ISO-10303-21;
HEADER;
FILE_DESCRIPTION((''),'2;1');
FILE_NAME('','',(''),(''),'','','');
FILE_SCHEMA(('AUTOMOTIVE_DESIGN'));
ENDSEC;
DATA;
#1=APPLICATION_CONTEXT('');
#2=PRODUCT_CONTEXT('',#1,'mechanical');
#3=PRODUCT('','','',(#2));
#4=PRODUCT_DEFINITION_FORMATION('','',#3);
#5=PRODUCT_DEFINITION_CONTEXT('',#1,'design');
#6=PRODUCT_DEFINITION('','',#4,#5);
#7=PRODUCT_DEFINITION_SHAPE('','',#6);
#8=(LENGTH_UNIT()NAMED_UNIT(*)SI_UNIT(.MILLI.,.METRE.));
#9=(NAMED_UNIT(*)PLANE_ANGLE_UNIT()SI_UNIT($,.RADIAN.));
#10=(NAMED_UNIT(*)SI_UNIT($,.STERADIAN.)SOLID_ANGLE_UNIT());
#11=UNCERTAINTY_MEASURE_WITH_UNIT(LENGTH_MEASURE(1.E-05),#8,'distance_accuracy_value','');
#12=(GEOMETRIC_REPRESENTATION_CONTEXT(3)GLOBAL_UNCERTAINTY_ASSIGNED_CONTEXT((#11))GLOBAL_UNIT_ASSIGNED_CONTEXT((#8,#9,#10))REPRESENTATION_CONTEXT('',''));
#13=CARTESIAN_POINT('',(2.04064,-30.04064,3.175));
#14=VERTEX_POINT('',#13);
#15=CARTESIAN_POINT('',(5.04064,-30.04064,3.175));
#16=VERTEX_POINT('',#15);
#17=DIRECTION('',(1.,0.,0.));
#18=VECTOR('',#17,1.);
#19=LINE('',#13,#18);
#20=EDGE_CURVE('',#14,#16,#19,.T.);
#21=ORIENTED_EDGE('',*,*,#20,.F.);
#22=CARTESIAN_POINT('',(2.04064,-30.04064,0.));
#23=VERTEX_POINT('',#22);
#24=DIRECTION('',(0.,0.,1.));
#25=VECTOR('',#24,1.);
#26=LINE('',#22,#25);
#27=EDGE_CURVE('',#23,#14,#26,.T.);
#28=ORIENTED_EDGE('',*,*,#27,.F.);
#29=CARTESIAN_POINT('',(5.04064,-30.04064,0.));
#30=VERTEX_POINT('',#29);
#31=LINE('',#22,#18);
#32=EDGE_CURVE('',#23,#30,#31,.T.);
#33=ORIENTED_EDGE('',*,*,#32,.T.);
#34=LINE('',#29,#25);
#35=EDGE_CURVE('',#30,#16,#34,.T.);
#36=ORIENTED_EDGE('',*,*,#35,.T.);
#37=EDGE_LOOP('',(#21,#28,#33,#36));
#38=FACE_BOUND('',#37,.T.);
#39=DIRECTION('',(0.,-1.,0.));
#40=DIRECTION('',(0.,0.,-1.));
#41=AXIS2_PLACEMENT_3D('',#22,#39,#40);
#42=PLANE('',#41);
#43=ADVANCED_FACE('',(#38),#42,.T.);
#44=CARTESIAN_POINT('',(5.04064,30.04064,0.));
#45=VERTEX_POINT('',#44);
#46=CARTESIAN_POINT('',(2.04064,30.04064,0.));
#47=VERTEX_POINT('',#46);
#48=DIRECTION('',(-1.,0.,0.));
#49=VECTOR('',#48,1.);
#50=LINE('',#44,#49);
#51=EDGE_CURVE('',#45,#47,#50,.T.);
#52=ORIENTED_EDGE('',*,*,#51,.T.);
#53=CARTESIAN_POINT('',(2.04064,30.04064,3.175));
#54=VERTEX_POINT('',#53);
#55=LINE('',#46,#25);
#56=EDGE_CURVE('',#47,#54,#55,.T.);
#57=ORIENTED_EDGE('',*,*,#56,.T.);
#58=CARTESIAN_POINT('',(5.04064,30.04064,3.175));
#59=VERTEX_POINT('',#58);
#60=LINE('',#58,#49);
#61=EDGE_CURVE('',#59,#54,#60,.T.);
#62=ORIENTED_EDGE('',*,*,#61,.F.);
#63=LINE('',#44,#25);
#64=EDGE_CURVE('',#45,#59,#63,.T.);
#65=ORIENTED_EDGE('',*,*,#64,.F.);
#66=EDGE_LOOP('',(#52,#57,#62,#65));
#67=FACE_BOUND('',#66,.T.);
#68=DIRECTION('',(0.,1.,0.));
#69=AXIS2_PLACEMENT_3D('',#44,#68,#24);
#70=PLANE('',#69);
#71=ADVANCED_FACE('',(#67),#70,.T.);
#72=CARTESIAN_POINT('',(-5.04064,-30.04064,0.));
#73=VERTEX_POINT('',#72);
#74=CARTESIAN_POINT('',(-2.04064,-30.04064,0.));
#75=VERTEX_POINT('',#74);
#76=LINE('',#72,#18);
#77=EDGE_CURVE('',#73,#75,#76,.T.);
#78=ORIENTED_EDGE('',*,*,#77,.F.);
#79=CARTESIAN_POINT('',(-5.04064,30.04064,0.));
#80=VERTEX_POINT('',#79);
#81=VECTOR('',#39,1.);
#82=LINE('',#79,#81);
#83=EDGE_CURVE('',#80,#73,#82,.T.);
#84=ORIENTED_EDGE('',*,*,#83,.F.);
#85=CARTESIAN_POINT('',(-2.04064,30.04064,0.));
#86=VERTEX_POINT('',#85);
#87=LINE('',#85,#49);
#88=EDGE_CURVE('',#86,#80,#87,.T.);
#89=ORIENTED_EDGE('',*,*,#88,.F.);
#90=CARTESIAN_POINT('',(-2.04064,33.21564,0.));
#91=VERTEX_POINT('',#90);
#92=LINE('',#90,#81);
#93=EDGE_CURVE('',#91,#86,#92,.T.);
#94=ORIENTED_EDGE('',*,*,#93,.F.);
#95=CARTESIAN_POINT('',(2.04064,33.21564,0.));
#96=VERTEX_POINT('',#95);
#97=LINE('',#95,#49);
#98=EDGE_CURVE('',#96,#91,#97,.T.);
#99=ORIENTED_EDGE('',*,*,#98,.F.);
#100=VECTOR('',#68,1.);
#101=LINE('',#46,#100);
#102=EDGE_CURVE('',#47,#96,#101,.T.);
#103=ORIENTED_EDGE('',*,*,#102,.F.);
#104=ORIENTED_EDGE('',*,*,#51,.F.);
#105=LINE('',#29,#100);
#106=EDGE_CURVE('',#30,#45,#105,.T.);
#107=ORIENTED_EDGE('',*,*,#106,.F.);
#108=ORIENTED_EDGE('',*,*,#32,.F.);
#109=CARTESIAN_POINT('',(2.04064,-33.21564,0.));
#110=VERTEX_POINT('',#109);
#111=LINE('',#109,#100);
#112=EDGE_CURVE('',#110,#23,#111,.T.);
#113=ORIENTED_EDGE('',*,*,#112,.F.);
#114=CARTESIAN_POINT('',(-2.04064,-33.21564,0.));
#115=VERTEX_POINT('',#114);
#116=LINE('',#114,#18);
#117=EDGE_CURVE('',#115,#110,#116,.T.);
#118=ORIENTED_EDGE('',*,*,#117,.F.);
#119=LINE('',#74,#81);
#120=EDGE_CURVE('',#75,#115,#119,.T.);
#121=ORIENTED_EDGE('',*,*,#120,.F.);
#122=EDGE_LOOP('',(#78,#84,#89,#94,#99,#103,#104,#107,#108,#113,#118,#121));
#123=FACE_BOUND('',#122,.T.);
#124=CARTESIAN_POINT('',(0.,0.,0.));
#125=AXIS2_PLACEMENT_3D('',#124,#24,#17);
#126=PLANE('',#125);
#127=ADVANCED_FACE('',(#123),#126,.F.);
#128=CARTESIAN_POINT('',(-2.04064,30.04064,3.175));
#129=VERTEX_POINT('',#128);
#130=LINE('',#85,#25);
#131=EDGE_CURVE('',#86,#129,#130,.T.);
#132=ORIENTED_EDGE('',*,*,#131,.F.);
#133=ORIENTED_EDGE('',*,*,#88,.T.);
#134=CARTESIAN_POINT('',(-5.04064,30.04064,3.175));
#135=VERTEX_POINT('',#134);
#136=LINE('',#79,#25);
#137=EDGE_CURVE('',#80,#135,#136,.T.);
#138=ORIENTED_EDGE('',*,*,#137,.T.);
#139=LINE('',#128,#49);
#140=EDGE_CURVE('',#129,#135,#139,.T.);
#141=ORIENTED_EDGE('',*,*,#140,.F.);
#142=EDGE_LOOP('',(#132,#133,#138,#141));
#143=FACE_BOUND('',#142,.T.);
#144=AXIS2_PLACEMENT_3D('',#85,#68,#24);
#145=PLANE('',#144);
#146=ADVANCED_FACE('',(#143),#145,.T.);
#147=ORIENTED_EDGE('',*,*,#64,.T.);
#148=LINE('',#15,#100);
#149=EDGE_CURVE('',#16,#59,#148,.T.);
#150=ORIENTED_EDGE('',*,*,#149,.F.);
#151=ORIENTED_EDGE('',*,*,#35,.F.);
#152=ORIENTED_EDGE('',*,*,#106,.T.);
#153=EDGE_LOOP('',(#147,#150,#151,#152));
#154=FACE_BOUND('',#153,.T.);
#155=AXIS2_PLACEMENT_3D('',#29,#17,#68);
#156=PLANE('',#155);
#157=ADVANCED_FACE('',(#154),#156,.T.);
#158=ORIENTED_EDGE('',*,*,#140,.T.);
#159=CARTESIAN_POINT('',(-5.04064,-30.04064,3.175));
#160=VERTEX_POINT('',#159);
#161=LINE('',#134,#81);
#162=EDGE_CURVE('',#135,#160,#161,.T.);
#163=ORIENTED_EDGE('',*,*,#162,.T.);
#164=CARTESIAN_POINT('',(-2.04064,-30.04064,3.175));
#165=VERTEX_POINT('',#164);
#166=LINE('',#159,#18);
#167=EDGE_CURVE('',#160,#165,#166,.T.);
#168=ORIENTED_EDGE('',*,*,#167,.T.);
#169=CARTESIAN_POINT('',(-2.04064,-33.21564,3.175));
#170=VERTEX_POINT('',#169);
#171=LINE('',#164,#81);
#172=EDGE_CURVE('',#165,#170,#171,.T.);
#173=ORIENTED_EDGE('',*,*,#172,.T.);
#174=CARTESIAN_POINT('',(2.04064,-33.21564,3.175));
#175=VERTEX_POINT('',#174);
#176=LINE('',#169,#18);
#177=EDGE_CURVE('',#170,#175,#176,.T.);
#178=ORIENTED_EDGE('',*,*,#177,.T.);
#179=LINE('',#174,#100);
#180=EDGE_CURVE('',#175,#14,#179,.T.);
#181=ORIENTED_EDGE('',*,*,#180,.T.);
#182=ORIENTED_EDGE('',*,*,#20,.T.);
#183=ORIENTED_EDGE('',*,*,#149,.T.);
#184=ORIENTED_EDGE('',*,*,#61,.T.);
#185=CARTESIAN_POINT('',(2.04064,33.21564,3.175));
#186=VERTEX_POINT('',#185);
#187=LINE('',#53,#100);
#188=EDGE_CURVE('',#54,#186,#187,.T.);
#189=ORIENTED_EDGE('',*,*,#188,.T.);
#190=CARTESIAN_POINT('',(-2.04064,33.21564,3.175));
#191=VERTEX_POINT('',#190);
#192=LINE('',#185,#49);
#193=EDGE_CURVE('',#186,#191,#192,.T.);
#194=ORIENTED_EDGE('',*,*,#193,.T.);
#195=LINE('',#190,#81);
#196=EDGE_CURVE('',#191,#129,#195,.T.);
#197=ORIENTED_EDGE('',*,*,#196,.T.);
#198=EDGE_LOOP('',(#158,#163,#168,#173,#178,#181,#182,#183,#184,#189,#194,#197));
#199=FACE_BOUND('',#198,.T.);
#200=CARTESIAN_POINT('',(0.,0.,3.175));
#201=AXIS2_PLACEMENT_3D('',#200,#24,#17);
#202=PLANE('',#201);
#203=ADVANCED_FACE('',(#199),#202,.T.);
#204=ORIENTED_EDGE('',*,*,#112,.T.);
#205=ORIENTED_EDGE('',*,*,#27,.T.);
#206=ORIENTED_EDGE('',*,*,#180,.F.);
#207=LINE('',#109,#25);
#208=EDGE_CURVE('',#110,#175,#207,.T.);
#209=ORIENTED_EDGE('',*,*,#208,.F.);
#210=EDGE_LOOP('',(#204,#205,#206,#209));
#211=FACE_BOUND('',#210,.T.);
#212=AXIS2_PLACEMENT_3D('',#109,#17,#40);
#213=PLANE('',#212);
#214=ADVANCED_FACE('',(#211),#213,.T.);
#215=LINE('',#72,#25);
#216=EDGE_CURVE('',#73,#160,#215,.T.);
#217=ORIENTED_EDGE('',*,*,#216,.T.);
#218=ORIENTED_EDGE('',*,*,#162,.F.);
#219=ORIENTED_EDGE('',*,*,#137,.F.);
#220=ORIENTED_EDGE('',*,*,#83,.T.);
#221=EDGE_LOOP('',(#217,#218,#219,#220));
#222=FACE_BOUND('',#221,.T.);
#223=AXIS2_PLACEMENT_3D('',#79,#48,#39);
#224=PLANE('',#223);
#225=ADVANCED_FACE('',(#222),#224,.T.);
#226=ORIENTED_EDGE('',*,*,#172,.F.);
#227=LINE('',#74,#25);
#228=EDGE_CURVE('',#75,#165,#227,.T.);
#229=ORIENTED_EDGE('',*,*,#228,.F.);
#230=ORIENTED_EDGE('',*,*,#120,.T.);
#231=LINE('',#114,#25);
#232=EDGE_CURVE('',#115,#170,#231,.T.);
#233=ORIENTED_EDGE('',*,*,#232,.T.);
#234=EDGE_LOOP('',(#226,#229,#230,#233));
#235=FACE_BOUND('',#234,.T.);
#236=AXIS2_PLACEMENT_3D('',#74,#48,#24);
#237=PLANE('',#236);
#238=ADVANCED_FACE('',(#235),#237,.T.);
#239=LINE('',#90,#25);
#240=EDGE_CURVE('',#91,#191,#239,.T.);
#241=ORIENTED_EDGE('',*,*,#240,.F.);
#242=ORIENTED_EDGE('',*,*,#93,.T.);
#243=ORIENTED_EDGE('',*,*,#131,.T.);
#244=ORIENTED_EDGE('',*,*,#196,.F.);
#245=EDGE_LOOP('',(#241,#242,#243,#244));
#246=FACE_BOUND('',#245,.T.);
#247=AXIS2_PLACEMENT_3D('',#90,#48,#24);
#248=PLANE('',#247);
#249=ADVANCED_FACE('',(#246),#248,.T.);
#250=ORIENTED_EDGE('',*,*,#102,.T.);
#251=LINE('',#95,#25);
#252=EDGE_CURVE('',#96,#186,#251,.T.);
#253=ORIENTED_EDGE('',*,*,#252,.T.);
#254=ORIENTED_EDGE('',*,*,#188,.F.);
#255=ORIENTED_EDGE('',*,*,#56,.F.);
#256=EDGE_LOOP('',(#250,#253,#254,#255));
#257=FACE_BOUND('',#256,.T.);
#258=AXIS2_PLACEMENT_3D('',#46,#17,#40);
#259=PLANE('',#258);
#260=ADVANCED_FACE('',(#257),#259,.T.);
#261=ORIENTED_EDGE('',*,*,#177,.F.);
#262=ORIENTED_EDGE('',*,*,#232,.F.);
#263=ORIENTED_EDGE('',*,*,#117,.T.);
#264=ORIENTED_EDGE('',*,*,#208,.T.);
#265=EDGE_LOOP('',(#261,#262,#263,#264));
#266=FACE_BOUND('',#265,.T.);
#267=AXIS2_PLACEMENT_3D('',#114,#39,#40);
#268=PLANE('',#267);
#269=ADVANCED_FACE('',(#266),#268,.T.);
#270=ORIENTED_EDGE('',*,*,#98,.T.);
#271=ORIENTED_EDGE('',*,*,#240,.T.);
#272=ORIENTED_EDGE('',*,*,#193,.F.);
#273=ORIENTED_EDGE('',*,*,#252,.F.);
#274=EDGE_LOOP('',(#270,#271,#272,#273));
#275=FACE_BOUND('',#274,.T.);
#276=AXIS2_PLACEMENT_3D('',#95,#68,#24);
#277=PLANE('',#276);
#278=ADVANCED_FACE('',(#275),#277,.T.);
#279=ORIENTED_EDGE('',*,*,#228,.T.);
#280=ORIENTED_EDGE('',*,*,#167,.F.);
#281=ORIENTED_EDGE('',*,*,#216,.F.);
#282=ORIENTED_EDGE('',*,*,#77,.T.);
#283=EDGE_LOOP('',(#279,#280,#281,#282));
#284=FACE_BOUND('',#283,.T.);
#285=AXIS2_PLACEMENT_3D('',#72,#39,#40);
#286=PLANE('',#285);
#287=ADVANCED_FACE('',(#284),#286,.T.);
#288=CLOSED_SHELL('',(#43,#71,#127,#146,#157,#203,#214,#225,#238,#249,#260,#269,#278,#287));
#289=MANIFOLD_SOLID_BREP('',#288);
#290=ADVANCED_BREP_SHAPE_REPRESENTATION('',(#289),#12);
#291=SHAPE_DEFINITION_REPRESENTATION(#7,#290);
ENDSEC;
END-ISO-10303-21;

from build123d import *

# Parameters (mm, degrees)
SKETCH1_W           = 10
SKETCH1_H           = 60
SKETCH1_W_2         = 4
SKETCH1_H_2         = 3.175
BOSS_EXTRUDE1_DEPTH = 3.175
BOSS_EXTRUDE2_DEPTH = 3.175


with BuildPart() as part:
    # Sketch1 → Boss-Extrude1 (new body)
    with BuildSketch(Plane.XY):
        Rectangle(SKETCH1_W, SKETCH1_H)
        with Locations((0, 31.5875)):
            Rectangle(SKETCH1_W_2, SKETCH1_H_2)
        with Locations((0, -31.5875)):
            Rectangle(SKETCH1_W_2, SKETCH1_H_2)
    extrude(amount=BOSS_EXTRUDE1_DEPTH)

    # Sketch2 → Boss-Extrude2 (add)
    with BuildSketch(Plane.XY.offset(3.175)):
        Polygon((5.04064, -30.04064), (5.04064, 30.04064), (2.04064, 30.04064), (2.04064, 33.21564), (-2.04064, 33.21564), (-2.04064, 30.04064), (-5.04064, 30.04064), (-5.04064, -30.04064), (-2.04064, -30.04064), (-2.04064, -33.21564), (2.04064, -33.21564), (2.04064, -30.04064), align=None)
    extrude(amount=-BOSS_EXTRUDE2_DEPTH)


solid = part.part
